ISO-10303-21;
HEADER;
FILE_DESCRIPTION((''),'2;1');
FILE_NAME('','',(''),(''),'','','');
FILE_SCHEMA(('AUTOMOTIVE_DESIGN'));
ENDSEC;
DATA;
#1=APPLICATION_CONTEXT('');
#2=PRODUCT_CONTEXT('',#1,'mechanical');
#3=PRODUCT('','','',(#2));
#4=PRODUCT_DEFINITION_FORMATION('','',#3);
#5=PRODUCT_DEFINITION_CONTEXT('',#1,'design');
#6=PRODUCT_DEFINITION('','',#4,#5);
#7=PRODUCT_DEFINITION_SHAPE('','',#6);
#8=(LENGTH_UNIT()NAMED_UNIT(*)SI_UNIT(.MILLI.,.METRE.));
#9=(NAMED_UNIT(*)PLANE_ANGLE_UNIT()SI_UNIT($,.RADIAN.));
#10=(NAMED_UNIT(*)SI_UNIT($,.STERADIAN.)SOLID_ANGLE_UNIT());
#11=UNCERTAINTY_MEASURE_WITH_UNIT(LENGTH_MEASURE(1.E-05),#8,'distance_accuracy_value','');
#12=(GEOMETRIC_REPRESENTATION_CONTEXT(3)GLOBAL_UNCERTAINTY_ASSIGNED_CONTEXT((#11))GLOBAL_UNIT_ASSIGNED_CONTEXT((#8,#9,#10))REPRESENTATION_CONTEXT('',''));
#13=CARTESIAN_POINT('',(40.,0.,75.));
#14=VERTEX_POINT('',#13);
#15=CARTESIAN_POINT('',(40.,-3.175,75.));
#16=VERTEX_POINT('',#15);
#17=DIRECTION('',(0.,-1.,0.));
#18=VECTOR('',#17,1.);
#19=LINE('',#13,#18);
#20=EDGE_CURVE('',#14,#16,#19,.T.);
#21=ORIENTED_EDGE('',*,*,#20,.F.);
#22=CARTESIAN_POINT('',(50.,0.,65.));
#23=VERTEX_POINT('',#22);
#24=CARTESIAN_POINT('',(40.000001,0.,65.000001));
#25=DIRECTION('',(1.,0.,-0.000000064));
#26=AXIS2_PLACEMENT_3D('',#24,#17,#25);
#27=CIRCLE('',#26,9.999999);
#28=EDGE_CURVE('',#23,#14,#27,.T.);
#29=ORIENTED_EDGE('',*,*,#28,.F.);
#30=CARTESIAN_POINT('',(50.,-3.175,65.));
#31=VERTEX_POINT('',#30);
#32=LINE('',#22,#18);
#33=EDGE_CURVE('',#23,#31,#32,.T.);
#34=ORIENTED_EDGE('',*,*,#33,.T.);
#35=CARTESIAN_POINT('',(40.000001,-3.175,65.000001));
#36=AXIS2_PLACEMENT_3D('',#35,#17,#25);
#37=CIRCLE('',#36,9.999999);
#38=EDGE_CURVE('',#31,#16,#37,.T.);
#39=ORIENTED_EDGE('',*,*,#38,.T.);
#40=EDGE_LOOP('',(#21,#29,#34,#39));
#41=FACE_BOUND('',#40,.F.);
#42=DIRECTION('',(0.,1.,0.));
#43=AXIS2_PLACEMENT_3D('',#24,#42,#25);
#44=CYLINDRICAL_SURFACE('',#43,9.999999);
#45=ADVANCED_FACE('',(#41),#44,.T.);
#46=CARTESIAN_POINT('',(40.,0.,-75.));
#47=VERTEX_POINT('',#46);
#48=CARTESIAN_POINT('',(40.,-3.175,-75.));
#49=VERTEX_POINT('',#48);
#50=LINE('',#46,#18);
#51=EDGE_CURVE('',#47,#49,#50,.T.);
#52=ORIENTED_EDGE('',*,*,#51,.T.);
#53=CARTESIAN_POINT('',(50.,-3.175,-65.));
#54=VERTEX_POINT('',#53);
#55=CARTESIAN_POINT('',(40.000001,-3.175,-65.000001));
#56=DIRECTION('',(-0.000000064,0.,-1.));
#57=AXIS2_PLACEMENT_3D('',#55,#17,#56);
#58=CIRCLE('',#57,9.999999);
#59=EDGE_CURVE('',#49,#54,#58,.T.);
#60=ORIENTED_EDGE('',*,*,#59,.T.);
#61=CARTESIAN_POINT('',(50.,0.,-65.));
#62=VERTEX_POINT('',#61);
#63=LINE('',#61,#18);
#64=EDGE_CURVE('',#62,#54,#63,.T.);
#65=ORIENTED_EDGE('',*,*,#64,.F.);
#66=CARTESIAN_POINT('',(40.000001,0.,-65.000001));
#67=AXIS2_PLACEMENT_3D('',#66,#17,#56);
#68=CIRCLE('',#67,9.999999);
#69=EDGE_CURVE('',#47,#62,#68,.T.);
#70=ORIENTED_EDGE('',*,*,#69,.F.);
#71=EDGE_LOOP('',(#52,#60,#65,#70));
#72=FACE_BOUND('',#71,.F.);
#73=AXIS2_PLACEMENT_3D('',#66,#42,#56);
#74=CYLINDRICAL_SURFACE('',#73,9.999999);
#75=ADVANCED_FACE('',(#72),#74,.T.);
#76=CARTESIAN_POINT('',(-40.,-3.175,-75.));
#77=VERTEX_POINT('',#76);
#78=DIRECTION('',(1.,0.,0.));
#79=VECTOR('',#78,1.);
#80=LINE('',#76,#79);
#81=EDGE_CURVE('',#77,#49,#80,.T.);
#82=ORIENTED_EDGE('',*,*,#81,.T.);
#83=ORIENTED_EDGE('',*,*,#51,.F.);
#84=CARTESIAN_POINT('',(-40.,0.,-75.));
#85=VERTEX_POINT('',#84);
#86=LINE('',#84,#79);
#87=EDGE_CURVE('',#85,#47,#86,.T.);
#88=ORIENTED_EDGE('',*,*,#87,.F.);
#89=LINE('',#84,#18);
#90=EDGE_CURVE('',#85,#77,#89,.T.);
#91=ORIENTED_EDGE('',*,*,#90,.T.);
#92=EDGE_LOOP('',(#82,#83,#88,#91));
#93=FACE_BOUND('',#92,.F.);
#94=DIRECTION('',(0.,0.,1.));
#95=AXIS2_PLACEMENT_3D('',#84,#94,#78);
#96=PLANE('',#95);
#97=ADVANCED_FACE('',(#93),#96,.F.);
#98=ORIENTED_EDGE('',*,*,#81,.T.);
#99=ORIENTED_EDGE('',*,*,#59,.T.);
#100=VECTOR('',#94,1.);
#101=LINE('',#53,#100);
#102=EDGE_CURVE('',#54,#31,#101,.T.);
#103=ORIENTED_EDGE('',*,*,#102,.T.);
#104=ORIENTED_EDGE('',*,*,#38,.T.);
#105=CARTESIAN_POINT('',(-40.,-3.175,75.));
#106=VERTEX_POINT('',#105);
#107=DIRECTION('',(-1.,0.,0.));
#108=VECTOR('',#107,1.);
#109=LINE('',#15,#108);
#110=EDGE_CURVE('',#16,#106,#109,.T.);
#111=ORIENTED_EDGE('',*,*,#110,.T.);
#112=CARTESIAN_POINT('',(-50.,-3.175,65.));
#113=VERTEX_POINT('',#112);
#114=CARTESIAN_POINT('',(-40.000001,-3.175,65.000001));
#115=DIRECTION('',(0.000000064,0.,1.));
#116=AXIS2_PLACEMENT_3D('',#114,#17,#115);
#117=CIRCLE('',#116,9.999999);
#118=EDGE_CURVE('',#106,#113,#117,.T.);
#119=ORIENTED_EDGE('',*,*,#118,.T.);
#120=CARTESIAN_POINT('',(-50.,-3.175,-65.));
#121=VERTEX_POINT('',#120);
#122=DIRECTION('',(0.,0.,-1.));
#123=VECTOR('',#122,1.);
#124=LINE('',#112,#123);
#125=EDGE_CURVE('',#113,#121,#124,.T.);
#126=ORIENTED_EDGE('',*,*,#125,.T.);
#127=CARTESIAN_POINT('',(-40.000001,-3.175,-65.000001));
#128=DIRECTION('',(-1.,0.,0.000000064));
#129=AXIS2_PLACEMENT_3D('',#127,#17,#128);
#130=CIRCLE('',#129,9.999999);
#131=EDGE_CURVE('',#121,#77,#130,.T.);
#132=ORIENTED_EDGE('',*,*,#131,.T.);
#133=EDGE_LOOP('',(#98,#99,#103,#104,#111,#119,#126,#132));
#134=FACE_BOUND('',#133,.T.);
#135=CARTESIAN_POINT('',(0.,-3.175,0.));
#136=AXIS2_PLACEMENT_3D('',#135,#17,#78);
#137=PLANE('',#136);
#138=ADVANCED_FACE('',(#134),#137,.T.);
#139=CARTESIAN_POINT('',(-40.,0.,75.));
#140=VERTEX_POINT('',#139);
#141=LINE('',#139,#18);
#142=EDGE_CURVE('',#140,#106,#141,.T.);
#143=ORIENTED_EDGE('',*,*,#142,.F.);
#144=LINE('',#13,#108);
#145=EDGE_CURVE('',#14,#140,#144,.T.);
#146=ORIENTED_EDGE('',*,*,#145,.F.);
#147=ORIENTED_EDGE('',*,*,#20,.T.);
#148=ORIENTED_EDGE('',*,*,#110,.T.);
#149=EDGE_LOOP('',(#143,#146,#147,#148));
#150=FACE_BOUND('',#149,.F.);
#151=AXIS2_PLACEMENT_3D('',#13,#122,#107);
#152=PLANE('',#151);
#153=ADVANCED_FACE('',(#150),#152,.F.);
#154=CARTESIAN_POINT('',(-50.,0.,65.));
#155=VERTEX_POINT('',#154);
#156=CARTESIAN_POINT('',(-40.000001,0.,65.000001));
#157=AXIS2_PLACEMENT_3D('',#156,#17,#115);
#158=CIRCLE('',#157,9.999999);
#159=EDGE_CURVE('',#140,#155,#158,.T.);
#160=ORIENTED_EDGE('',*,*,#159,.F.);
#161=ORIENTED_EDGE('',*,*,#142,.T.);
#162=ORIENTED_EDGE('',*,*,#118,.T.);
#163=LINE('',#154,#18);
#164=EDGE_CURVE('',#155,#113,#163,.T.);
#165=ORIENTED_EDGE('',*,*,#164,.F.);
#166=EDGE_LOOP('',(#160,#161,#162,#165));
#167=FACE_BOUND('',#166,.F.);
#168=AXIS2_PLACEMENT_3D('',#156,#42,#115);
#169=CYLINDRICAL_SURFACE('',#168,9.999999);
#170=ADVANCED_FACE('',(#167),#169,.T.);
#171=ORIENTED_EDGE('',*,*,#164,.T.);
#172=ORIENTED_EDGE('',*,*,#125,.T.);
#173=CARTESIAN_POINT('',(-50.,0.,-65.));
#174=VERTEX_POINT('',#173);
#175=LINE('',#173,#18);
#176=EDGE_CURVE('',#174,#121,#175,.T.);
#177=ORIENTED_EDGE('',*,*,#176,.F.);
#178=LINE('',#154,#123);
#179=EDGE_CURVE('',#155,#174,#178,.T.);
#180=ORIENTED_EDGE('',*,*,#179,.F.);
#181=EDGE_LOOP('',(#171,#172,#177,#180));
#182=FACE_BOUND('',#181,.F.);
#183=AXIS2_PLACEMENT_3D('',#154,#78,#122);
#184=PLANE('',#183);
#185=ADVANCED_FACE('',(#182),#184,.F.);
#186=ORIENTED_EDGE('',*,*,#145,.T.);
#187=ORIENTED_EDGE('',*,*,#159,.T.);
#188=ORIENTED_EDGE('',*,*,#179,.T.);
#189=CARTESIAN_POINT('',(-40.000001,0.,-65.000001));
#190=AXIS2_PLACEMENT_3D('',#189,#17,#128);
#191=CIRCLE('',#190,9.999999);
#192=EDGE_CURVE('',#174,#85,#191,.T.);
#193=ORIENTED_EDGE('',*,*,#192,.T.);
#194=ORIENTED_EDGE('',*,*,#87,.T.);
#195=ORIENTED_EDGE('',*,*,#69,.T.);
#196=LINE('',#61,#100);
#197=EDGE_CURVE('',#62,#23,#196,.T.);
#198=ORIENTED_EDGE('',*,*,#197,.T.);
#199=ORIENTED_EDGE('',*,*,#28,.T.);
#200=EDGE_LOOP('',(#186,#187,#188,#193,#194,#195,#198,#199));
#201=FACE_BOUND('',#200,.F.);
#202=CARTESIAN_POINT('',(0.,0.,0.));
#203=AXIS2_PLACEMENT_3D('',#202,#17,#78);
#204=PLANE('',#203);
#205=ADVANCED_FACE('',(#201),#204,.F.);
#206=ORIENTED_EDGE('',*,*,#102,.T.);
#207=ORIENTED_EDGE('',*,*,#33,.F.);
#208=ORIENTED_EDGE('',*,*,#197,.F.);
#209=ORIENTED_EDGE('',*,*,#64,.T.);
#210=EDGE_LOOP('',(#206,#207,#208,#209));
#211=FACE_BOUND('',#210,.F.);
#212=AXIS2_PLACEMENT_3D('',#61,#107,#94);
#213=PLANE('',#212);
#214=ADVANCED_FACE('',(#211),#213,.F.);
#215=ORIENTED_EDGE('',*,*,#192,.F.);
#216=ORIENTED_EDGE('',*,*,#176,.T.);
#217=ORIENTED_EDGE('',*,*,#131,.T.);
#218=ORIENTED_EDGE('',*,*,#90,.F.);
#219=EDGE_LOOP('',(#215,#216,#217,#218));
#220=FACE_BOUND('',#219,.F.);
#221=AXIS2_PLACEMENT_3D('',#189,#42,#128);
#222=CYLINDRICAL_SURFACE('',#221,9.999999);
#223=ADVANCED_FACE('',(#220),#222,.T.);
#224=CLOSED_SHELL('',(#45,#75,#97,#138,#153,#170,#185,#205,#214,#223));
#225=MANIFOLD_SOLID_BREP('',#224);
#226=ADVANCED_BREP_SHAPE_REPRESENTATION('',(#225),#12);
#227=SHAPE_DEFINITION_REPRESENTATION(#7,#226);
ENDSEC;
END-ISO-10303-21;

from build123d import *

# Parameters (mm, degrees)
F0_W     = 50
F0_H     = 50
F1_DEPTH = 3.175


with BuildPart() as f1:
    # F0 (on Front) → F1 (new body)
    with BuildSketch(Plane.XZ):
        with BuildLine():
            Line((40, 75), (-40, 75))
            ThreePointArc((-40, 75), (-47.071068, 72.071068), (-50, 65))
            Line((-50, 65), (-50, -65))
            ThreePointArc((-50, -65), (-47.071068, -72.071068), (-40, -75))
            Line((-40, -75), (40, -75))
            ThreePointArc((40, -75), (47.071068, -72.071068), (50, -65))
            Line((50, -65), (50, 65))
            ThreePointArc((50, 65), (47.071068, 72.071068), (40, 75))
        make_face()
        Rectangle(F0_W, F0_H, mode=Mode.SUBTRACT)
        Rectangle(F0_W, F0_H)
    extrude(amount=F1_DEPTH)


solid = f1.part
